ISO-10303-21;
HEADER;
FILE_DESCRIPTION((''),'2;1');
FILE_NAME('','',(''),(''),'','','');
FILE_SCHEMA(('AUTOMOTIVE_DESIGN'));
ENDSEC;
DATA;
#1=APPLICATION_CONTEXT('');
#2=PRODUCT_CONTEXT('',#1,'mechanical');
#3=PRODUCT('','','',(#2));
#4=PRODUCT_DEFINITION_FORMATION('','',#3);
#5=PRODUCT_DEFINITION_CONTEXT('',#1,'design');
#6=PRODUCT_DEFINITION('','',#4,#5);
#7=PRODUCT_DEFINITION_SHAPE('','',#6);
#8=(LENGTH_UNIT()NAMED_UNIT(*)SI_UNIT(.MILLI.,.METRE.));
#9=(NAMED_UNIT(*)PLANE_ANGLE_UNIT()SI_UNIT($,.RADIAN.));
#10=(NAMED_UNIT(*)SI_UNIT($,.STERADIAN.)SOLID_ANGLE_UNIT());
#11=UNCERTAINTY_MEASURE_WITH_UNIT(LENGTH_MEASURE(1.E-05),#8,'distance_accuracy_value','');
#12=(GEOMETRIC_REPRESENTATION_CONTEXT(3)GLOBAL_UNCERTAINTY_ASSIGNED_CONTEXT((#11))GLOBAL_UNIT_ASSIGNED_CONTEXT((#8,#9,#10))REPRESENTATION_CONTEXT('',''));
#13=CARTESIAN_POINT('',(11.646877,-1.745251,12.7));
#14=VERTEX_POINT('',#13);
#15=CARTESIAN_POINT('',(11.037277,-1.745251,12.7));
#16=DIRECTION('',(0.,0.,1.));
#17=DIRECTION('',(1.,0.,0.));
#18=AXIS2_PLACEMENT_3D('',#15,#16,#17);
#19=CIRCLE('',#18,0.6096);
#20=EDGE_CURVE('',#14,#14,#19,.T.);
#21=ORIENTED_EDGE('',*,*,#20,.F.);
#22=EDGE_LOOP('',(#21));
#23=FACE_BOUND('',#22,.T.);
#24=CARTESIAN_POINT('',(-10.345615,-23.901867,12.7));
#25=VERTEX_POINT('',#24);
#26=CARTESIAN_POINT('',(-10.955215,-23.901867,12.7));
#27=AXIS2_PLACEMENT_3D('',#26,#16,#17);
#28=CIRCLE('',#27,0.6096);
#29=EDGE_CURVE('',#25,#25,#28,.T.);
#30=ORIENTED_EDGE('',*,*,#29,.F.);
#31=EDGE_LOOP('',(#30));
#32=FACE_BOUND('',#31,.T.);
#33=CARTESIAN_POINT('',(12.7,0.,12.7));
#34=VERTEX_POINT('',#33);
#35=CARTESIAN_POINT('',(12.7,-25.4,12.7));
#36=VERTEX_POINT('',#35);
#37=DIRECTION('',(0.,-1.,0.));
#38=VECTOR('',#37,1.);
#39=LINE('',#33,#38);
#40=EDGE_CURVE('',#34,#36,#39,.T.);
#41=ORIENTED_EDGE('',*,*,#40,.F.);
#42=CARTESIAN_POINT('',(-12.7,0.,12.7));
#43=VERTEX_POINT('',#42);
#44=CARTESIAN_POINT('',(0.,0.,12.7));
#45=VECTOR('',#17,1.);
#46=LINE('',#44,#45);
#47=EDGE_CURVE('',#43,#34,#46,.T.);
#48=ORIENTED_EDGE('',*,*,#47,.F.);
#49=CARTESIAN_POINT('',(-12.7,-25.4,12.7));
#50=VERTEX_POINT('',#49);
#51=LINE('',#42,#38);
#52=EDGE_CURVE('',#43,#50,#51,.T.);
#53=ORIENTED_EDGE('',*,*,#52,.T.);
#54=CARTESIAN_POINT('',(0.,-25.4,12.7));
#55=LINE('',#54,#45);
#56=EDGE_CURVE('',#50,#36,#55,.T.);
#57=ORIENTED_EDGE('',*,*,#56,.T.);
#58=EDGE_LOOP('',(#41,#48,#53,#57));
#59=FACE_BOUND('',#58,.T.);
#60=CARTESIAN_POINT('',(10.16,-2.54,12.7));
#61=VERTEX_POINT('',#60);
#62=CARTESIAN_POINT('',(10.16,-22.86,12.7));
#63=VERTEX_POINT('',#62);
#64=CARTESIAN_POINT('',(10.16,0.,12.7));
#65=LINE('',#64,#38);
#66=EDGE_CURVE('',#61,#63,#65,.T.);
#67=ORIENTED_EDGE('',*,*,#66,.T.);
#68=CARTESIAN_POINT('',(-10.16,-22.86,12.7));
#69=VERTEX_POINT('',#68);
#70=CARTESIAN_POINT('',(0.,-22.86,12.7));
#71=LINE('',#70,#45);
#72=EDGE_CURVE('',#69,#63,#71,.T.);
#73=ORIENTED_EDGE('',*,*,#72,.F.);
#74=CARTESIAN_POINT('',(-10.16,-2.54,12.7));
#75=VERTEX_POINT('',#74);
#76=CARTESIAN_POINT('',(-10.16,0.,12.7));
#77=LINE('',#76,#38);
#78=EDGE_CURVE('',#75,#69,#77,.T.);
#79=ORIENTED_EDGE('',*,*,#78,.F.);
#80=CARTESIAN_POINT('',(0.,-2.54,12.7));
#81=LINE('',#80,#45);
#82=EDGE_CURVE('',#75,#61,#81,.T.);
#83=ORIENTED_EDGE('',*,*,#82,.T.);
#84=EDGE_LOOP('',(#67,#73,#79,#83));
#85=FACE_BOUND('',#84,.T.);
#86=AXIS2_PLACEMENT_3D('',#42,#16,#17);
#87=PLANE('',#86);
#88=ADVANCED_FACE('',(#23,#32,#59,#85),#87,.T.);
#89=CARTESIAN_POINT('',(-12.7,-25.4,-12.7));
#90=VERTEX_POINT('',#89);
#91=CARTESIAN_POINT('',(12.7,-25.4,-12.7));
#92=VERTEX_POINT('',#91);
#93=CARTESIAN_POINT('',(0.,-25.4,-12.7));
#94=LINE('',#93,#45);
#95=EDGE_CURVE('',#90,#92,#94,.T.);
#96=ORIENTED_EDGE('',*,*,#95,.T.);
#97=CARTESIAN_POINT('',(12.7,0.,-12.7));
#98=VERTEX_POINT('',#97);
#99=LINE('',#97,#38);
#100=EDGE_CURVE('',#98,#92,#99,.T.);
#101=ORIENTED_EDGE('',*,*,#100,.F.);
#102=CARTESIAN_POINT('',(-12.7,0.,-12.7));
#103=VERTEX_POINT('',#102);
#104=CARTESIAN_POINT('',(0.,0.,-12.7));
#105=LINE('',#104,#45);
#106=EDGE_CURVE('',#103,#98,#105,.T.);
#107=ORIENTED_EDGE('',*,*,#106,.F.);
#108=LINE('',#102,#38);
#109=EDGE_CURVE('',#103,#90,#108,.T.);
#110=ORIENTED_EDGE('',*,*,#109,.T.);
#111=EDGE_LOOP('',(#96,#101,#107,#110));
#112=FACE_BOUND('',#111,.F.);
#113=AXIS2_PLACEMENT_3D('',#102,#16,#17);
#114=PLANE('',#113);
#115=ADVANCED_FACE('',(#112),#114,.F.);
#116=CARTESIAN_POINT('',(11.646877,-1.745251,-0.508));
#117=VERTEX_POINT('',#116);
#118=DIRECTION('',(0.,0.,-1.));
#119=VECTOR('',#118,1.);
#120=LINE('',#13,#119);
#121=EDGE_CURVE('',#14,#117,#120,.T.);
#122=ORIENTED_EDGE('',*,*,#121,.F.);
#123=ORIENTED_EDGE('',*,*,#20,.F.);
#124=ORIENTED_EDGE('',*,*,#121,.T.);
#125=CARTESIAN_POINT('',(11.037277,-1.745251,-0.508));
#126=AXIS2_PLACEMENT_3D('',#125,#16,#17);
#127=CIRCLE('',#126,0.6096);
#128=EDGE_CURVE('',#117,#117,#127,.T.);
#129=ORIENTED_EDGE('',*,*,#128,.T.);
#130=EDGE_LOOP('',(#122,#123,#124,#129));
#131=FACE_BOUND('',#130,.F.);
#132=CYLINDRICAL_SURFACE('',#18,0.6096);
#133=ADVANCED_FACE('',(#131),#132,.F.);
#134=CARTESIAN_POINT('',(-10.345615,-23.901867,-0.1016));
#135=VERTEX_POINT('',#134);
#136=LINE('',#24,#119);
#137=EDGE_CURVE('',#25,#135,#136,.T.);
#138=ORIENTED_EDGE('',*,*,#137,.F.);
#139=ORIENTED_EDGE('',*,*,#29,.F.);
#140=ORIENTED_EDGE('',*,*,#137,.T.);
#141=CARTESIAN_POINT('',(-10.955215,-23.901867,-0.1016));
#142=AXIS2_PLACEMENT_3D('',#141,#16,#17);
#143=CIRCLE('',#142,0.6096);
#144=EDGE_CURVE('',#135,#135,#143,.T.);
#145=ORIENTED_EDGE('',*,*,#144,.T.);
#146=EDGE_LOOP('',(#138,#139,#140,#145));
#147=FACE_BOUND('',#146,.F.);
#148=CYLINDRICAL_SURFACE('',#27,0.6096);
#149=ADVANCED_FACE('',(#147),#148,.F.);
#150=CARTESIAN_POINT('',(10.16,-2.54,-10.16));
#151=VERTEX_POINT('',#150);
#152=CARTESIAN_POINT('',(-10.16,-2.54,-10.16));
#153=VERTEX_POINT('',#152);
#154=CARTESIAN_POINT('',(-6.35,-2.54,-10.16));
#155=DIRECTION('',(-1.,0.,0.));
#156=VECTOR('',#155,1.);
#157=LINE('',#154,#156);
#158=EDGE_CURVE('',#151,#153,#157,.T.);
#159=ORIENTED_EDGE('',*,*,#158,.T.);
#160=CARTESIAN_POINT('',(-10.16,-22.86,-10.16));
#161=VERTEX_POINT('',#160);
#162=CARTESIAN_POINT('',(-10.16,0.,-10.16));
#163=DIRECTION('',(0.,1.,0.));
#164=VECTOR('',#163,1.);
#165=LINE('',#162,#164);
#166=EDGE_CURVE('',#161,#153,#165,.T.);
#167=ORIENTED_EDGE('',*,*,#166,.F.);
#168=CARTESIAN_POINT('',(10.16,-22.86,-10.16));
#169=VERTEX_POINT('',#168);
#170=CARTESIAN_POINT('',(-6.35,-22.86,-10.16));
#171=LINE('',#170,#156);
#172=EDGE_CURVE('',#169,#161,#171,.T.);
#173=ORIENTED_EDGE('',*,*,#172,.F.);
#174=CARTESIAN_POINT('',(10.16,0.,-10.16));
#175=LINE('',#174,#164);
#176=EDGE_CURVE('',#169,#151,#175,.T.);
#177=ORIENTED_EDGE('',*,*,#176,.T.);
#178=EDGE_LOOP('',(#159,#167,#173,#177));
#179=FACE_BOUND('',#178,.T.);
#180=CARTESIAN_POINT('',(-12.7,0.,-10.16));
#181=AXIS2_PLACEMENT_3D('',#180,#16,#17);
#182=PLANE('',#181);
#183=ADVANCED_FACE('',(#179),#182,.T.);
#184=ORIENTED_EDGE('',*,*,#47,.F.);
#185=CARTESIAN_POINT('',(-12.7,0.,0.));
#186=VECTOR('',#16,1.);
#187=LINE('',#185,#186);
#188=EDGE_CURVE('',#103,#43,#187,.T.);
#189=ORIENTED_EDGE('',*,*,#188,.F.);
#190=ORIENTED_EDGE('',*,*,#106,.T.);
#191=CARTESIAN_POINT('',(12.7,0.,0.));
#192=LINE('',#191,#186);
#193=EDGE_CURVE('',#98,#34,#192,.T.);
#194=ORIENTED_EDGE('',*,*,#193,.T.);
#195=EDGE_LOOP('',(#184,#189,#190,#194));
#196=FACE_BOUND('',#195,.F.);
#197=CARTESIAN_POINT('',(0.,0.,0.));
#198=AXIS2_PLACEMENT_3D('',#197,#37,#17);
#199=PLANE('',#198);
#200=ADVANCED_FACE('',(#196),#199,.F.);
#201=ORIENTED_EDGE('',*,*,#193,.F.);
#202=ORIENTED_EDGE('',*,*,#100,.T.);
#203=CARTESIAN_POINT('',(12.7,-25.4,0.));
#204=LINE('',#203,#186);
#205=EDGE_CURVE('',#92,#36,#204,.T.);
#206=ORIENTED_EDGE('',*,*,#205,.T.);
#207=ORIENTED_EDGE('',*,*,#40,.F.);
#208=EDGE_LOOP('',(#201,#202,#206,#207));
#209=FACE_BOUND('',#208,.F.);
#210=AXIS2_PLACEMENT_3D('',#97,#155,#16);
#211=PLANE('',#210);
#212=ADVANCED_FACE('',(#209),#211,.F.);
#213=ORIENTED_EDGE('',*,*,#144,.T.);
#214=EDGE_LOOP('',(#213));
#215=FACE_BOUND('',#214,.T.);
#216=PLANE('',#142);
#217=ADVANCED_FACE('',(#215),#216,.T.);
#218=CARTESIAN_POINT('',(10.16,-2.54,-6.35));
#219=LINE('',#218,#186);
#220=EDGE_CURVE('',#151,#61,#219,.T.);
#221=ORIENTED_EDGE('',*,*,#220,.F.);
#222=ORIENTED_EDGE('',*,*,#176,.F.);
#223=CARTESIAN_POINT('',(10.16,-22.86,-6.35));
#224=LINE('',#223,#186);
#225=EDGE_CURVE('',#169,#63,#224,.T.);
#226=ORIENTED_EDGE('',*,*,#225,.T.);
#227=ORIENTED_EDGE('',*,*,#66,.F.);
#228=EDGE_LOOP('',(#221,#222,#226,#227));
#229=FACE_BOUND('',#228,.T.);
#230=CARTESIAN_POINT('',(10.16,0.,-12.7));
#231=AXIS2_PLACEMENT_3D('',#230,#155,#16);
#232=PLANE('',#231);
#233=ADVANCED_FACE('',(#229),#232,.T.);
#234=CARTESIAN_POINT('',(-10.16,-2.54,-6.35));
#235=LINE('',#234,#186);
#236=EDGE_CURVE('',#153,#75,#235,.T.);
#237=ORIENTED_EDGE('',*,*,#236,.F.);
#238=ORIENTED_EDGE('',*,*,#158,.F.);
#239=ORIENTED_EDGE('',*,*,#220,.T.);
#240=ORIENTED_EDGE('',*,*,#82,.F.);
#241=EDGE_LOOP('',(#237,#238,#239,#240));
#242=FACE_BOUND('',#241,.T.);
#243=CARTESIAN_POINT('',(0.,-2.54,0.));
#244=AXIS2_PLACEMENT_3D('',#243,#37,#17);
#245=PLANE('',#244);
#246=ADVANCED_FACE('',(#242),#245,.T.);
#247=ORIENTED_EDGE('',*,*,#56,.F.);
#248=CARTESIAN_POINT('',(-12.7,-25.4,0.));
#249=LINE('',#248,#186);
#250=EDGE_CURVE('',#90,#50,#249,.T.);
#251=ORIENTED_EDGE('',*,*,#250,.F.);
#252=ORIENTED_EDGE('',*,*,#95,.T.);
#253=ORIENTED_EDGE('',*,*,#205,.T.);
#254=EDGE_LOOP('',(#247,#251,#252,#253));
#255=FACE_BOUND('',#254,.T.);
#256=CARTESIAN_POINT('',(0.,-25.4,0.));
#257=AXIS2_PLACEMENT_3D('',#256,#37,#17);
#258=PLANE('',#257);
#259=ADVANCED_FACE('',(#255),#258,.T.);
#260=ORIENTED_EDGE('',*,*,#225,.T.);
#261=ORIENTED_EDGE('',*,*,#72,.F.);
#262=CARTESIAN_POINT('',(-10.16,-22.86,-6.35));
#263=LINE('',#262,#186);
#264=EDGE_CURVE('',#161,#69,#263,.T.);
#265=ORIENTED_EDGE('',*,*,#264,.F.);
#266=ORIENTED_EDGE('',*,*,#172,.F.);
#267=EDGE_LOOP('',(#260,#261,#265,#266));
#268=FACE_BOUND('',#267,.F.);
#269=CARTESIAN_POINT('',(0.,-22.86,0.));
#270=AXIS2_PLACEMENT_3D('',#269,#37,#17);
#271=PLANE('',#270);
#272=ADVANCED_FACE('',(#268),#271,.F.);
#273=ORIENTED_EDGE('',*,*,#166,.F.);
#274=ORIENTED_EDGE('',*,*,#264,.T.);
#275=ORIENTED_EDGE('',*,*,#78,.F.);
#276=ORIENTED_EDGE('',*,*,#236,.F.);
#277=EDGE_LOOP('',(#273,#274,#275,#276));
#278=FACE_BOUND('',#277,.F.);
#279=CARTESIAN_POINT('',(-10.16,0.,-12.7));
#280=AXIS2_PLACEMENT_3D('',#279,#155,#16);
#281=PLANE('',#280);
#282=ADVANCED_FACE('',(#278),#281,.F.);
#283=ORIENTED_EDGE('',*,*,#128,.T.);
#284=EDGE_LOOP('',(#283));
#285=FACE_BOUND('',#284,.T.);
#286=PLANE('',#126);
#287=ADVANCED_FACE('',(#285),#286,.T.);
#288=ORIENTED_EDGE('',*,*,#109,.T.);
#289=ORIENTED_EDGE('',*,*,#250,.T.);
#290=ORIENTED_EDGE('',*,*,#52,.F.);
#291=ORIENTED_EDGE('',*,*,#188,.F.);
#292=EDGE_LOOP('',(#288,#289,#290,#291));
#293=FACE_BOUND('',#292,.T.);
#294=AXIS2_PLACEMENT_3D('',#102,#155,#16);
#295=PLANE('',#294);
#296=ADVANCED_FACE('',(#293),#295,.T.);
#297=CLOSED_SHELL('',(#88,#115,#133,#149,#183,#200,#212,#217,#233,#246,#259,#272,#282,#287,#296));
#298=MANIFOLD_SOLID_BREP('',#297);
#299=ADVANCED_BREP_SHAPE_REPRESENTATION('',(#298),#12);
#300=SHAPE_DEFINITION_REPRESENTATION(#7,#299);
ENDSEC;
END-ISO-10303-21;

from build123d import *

# Parameters (mm, degrees)
F0_W     = 25.4
F0_H     = 25.4
F1_DEPTH = 25.4
F2_T     = -2.54
F3_R     = 0.6096
F4_DEPTH = 12.8016
F5_R     = 0.6096
F6_DEPTH = 13.208


with BuildPart() as f1:
    # F0 (on Front) → F1 (new body)
    with BuildSketch(Plane.XZ):
        Rectangle(F0_W, F0_H)
    extrude(amount=F1_DEPTH)

    # F2
    f2_openings = [f1.faces().sort_by_distance(p)[0] for p in [
        (0, -12.7, 12.7),
    ]]
    offset(amount=F2_T, openings=f2_openings)

    # F3 (on face) → F4 (cut)
    with BuildSketch(Plane.XY.offset(12.7)):
        with Locations((-10.955215, -23.901867)):
            Circle(F3_R)
    extrude(amount=-F4_DEPTH, mode=Mode.SUBTRACT)

    # F5 (on face) → F6 (cut)
    with BuildSketch(Plane.XY.offset(12.7)):
        with Locations((11.037277, -1.745251)):
            Circle(F5_R)
    extrude(amount=-F6_DEPTH, mode=Mode.SUBTRACT)


solid = f1.part
